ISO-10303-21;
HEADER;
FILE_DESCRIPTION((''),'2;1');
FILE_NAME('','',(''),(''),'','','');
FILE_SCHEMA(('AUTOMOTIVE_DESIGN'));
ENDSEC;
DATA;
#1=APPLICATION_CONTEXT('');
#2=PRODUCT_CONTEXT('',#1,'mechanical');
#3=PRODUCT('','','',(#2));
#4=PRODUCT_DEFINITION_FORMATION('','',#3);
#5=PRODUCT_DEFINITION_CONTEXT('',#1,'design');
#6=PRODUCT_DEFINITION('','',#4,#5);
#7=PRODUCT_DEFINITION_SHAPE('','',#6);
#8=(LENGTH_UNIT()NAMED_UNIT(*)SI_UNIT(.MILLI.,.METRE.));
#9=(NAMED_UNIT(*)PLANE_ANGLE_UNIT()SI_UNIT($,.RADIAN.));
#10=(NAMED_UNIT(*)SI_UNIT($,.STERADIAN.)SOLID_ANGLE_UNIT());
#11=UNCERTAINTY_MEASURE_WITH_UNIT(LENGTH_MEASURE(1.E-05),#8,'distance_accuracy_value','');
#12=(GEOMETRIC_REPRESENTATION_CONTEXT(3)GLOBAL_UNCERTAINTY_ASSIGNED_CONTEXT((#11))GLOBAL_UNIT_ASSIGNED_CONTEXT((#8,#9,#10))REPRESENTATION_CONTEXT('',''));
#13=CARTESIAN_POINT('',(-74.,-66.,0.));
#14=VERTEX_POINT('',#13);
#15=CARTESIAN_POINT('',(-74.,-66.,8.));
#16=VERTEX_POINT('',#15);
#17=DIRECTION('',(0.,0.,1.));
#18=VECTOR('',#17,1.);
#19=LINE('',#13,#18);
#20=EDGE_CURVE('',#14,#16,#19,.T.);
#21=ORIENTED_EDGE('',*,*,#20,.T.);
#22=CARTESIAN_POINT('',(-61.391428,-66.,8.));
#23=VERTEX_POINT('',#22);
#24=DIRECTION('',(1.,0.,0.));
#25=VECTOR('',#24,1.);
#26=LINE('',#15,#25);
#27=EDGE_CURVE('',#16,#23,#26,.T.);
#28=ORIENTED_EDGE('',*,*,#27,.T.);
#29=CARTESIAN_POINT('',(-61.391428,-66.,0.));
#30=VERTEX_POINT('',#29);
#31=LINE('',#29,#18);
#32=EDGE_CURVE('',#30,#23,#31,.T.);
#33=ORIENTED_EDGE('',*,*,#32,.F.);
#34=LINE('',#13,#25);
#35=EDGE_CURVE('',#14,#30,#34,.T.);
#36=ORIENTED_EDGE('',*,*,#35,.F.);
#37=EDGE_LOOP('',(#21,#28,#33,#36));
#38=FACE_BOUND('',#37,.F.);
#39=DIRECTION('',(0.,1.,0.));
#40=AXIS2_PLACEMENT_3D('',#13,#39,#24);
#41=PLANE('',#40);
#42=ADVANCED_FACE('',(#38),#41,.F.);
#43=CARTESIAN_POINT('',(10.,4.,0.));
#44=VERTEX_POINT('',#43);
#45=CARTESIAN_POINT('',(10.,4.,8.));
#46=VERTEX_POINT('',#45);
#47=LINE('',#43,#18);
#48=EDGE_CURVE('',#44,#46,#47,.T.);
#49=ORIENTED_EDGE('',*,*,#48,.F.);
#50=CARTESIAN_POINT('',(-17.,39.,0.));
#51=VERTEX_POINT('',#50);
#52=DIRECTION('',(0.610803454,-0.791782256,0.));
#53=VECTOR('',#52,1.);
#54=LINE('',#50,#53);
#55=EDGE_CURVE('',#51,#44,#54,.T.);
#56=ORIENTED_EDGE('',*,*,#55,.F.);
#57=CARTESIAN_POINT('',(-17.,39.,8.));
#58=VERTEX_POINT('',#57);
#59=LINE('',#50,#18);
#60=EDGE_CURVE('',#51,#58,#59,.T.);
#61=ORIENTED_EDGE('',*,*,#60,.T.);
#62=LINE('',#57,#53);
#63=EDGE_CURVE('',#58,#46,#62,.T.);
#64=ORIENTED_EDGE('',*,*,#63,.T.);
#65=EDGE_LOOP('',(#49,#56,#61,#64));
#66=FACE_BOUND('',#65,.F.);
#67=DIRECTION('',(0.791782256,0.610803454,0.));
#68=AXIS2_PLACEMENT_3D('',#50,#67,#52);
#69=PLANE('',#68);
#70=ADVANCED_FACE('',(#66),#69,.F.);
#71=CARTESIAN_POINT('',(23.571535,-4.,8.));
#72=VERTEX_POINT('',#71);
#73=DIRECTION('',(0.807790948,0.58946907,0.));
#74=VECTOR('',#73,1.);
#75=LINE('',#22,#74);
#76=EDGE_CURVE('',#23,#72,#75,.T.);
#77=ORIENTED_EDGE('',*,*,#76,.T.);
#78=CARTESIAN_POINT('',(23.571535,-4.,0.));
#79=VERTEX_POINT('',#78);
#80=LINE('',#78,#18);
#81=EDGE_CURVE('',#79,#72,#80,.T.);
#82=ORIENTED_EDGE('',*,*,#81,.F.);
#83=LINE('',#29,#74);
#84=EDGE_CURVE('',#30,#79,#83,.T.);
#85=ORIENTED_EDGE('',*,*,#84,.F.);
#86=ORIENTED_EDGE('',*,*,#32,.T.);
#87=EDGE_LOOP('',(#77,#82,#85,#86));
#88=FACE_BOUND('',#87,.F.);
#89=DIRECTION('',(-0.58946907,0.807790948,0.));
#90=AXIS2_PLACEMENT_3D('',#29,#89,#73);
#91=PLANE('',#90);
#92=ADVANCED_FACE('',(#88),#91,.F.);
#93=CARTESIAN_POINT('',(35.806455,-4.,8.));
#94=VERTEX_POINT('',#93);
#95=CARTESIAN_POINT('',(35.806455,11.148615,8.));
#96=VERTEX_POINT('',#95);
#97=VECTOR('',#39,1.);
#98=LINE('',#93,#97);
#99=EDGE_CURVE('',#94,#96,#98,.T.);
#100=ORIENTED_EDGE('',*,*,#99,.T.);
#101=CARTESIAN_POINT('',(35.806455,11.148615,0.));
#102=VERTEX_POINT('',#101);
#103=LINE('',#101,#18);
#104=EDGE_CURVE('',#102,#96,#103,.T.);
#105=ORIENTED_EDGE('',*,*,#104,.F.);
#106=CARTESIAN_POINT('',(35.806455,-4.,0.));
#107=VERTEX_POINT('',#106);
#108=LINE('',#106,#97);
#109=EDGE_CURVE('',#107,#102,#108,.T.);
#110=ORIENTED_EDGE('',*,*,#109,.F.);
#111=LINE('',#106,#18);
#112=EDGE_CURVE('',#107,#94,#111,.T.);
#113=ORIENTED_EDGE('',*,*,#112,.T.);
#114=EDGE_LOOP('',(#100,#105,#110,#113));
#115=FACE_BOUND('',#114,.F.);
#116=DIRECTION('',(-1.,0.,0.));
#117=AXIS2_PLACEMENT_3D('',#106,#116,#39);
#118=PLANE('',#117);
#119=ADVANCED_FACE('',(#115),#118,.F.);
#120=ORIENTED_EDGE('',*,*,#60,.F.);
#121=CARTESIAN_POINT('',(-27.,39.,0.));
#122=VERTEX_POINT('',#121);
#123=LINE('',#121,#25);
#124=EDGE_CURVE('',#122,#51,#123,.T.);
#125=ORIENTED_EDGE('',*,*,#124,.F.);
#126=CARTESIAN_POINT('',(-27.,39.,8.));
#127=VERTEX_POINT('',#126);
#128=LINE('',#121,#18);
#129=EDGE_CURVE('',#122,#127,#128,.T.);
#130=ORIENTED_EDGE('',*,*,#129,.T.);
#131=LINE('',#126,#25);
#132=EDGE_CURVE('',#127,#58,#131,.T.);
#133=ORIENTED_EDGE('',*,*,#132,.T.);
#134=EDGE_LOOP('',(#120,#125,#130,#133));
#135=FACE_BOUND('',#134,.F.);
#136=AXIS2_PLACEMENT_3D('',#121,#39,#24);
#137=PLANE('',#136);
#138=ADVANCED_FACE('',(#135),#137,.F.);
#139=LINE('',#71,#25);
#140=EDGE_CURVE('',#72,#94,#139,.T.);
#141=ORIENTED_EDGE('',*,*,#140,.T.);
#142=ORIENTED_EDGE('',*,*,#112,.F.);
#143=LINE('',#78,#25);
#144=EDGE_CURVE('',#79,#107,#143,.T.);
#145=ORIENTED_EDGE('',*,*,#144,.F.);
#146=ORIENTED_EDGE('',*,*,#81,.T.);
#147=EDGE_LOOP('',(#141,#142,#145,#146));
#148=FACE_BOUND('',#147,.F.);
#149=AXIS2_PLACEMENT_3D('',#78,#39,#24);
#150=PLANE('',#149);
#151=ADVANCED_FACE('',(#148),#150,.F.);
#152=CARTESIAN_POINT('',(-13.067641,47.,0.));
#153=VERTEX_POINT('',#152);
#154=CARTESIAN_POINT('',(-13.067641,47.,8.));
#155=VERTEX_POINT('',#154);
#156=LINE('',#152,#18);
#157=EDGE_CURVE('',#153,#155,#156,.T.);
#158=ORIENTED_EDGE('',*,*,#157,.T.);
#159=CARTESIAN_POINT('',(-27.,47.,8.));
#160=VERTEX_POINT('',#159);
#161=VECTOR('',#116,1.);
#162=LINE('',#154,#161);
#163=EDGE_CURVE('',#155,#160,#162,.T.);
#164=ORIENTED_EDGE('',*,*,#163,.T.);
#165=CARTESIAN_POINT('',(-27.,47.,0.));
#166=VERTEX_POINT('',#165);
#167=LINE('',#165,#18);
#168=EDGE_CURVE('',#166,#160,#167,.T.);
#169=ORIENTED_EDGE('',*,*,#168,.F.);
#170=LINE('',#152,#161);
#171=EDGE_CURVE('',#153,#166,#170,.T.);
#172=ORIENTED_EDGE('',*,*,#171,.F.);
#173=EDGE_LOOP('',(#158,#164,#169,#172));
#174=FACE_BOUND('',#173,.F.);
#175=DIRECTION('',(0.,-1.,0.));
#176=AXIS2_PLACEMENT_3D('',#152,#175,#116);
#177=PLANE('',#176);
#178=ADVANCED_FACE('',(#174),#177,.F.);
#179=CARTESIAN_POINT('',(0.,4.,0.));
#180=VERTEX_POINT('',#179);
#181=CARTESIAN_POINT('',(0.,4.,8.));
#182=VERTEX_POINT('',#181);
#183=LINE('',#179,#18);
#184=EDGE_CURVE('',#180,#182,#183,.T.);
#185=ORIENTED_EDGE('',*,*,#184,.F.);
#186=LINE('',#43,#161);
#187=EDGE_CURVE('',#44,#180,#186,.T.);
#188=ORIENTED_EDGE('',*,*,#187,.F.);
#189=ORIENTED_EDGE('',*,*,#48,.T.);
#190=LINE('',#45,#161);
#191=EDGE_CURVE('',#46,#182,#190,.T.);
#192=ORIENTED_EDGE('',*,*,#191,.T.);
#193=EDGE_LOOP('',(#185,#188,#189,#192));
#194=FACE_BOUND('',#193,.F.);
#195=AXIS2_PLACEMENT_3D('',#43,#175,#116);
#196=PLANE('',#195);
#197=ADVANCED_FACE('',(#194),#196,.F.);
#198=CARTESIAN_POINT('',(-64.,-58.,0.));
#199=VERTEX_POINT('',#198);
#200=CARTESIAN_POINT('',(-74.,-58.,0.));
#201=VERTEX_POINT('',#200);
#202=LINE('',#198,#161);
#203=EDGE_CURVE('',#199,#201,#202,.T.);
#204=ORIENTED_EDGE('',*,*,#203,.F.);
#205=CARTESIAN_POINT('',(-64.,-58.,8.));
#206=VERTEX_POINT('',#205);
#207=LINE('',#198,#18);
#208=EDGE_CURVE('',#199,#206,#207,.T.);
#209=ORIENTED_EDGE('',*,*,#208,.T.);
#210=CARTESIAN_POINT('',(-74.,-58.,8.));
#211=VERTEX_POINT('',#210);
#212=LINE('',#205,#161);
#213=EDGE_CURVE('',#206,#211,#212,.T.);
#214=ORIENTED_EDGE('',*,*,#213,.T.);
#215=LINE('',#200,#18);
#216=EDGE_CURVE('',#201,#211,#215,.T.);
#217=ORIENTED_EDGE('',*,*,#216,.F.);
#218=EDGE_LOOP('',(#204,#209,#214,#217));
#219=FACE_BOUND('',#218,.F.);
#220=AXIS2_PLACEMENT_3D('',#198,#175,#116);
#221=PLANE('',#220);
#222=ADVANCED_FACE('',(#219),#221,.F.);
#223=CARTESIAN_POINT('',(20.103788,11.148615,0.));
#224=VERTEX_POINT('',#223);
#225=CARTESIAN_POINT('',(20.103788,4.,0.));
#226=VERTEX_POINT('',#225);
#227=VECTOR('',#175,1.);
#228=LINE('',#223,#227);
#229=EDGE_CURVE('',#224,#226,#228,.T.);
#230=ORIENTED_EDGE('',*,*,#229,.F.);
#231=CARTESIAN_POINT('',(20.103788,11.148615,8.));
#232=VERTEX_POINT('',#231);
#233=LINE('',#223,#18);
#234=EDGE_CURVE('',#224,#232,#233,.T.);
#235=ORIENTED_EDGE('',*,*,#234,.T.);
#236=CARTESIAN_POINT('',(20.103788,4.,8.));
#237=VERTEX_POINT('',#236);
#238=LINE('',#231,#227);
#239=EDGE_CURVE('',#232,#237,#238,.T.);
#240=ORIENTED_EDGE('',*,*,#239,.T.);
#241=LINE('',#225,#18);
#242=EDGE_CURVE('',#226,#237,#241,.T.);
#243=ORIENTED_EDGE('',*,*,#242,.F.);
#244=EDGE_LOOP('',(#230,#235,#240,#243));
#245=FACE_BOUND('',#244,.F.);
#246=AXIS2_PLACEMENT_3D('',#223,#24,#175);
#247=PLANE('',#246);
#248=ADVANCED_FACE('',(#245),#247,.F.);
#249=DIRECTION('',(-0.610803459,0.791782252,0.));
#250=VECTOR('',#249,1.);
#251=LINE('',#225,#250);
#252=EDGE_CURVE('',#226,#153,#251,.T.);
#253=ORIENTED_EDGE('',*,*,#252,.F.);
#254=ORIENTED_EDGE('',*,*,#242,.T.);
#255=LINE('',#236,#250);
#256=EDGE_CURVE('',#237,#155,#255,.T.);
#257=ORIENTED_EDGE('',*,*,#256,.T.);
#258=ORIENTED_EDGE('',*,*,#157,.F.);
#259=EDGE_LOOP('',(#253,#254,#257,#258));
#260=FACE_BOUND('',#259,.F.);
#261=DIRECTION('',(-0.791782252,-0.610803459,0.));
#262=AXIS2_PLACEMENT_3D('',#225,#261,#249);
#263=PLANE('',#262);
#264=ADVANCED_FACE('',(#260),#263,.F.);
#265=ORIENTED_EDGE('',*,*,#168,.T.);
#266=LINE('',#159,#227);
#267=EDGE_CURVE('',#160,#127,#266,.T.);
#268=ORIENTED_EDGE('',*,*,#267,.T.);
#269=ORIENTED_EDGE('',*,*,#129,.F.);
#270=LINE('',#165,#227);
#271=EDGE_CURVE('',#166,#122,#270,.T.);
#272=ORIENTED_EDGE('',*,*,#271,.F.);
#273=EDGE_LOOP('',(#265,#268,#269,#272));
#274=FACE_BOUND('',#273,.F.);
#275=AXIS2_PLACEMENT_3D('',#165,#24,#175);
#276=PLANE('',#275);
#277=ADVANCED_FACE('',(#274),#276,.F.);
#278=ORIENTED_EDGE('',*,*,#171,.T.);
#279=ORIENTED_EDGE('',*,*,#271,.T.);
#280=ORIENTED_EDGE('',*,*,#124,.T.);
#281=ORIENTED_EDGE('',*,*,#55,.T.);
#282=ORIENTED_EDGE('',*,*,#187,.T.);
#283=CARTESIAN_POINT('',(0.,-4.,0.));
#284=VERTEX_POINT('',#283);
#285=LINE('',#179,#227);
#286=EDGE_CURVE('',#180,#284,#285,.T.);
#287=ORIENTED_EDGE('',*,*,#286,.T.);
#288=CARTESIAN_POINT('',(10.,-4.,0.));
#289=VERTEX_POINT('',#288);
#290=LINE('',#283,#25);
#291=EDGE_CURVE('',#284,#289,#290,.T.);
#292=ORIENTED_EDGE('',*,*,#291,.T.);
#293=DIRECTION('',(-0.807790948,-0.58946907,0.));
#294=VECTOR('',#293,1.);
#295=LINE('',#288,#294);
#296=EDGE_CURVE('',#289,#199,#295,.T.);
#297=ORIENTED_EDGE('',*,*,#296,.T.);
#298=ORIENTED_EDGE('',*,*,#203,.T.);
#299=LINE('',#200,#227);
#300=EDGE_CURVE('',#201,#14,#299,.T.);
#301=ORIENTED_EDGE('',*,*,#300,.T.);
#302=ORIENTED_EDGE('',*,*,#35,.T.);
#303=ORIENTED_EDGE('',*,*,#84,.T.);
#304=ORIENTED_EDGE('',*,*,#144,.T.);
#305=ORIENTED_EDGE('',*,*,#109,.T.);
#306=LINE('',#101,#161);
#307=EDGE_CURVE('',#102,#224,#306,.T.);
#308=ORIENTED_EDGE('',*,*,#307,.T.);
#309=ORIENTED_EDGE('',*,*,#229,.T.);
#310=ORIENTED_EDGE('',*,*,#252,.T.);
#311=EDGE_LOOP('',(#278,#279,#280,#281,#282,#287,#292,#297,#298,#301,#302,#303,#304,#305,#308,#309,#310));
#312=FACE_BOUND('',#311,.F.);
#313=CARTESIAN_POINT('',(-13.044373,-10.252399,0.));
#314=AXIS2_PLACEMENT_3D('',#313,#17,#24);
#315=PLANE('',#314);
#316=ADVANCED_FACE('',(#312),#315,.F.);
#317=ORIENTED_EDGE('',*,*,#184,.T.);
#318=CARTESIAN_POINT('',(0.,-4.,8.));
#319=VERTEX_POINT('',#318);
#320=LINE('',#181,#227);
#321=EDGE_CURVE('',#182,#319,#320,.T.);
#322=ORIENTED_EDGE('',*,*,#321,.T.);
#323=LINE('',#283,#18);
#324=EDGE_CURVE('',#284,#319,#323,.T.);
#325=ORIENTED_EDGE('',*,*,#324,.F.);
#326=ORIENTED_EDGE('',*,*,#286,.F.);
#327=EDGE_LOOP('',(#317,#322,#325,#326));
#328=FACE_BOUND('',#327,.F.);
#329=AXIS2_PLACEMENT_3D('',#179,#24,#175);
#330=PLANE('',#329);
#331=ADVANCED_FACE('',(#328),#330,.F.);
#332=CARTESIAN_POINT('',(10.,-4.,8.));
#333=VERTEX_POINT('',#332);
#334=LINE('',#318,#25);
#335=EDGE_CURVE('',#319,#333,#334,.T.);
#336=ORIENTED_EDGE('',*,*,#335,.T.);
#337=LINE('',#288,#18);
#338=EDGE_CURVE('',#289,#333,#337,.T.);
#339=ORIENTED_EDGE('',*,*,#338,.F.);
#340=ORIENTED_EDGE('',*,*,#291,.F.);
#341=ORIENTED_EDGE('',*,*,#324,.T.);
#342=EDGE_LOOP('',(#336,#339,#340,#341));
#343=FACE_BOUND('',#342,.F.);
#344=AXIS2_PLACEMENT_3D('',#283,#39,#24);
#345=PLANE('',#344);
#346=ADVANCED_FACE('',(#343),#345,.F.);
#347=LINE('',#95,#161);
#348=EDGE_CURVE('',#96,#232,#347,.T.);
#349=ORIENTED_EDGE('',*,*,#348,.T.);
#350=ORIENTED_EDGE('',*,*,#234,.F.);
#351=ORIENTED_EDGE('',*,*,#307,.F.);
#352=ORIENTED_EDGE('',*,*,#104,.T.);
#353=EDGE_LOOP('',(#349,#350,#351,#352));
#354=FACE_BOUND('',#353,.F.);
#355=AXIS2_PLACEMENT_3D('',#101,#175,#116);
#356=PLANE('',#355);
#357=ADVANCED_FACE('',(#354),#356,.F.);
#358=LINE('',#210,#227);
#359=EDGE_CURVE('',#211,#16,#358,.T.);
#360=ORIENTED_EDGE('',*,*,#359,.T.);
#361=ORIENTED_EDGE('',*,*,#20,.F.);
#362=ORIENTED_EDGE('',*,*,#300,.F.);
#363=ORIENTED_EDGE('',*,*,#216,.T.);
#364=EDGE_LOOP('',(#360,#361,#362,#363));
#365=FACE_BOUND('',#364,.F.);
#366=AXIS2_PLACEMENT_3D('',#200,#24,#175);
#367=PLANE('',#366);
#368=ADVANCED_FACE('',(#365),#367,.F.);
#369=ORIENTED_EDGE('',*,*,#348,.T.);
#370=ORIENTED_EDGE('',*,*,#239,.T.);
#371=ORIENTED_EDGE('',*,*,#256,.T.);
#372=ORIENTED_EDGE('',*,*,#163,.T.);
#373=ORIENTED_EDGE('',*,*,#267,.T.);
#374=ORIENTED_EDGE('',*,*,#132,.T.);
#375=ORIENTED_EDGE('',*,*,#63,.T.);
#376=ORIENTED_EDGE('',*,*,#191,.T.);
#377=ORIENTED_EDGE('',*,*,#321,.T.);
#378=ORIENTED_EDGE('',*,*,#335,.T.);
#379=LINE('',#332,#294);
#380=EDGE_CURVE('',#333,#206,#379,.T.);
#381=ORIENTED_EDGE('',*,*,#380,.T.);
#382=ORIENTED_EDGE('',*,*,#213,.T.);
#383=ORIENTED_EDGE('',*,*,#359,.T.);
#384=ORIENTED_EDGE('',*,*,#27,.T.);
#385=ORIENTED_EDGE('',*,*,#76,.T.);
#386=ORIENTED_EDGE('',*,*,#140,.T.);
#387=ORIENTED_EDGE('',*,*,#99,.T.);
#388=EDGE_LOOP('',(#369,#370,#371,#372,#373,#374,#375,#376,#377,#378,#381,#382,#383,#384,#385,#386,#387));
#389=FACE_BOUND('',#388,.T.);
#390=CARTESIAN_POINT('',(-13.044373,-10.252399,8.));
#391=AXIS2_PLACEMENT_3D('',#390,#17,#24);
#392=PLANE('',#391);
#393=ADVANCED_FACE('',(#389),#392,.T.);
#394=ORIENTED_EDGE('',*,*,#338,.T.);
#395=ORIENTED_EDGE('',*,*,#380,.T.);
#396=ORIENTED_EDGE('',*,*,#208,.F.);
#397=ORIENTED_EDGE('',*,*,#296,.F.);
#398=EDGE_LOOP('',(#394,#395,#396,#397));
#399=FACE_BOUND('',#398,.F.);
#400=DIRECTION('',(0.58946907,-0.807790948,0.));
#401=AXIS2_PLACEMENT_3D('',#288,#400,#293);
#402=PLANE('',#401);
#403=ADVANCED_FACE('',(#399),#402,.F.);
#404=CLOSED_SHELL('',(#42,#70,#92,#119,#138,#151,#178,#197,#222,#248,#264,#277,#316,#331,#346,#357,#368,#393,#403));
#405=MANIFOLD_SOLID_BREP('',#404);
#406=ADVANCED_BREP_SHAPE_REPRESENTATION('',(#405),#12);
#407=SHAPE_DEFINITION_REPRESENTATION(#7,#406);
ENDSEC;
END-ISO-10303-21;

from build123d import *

# Parameters (mm, degrees)
F1_DEPTH = 8


with BuildPart() as f1:
    # F0 (on Top) → F1 (new body)
    with BuildSketch(Plane.XY):
        Polygon((10, 4), (0, 4), (0, -4), (10, -4), (-64, -58), (-74, -58), (-74, -66), (-61.391428, -66), (23.571535, -4), (35.806455, -4), (35.806455, 11.148615), (20.103788, 11.148615), (20.103788, 4), (-13.067641, 47), (-27, 47), (-27, 39), (-17, 39), align=None)
    extrude(amount=F1_DEPTH)


solid = f1.part
